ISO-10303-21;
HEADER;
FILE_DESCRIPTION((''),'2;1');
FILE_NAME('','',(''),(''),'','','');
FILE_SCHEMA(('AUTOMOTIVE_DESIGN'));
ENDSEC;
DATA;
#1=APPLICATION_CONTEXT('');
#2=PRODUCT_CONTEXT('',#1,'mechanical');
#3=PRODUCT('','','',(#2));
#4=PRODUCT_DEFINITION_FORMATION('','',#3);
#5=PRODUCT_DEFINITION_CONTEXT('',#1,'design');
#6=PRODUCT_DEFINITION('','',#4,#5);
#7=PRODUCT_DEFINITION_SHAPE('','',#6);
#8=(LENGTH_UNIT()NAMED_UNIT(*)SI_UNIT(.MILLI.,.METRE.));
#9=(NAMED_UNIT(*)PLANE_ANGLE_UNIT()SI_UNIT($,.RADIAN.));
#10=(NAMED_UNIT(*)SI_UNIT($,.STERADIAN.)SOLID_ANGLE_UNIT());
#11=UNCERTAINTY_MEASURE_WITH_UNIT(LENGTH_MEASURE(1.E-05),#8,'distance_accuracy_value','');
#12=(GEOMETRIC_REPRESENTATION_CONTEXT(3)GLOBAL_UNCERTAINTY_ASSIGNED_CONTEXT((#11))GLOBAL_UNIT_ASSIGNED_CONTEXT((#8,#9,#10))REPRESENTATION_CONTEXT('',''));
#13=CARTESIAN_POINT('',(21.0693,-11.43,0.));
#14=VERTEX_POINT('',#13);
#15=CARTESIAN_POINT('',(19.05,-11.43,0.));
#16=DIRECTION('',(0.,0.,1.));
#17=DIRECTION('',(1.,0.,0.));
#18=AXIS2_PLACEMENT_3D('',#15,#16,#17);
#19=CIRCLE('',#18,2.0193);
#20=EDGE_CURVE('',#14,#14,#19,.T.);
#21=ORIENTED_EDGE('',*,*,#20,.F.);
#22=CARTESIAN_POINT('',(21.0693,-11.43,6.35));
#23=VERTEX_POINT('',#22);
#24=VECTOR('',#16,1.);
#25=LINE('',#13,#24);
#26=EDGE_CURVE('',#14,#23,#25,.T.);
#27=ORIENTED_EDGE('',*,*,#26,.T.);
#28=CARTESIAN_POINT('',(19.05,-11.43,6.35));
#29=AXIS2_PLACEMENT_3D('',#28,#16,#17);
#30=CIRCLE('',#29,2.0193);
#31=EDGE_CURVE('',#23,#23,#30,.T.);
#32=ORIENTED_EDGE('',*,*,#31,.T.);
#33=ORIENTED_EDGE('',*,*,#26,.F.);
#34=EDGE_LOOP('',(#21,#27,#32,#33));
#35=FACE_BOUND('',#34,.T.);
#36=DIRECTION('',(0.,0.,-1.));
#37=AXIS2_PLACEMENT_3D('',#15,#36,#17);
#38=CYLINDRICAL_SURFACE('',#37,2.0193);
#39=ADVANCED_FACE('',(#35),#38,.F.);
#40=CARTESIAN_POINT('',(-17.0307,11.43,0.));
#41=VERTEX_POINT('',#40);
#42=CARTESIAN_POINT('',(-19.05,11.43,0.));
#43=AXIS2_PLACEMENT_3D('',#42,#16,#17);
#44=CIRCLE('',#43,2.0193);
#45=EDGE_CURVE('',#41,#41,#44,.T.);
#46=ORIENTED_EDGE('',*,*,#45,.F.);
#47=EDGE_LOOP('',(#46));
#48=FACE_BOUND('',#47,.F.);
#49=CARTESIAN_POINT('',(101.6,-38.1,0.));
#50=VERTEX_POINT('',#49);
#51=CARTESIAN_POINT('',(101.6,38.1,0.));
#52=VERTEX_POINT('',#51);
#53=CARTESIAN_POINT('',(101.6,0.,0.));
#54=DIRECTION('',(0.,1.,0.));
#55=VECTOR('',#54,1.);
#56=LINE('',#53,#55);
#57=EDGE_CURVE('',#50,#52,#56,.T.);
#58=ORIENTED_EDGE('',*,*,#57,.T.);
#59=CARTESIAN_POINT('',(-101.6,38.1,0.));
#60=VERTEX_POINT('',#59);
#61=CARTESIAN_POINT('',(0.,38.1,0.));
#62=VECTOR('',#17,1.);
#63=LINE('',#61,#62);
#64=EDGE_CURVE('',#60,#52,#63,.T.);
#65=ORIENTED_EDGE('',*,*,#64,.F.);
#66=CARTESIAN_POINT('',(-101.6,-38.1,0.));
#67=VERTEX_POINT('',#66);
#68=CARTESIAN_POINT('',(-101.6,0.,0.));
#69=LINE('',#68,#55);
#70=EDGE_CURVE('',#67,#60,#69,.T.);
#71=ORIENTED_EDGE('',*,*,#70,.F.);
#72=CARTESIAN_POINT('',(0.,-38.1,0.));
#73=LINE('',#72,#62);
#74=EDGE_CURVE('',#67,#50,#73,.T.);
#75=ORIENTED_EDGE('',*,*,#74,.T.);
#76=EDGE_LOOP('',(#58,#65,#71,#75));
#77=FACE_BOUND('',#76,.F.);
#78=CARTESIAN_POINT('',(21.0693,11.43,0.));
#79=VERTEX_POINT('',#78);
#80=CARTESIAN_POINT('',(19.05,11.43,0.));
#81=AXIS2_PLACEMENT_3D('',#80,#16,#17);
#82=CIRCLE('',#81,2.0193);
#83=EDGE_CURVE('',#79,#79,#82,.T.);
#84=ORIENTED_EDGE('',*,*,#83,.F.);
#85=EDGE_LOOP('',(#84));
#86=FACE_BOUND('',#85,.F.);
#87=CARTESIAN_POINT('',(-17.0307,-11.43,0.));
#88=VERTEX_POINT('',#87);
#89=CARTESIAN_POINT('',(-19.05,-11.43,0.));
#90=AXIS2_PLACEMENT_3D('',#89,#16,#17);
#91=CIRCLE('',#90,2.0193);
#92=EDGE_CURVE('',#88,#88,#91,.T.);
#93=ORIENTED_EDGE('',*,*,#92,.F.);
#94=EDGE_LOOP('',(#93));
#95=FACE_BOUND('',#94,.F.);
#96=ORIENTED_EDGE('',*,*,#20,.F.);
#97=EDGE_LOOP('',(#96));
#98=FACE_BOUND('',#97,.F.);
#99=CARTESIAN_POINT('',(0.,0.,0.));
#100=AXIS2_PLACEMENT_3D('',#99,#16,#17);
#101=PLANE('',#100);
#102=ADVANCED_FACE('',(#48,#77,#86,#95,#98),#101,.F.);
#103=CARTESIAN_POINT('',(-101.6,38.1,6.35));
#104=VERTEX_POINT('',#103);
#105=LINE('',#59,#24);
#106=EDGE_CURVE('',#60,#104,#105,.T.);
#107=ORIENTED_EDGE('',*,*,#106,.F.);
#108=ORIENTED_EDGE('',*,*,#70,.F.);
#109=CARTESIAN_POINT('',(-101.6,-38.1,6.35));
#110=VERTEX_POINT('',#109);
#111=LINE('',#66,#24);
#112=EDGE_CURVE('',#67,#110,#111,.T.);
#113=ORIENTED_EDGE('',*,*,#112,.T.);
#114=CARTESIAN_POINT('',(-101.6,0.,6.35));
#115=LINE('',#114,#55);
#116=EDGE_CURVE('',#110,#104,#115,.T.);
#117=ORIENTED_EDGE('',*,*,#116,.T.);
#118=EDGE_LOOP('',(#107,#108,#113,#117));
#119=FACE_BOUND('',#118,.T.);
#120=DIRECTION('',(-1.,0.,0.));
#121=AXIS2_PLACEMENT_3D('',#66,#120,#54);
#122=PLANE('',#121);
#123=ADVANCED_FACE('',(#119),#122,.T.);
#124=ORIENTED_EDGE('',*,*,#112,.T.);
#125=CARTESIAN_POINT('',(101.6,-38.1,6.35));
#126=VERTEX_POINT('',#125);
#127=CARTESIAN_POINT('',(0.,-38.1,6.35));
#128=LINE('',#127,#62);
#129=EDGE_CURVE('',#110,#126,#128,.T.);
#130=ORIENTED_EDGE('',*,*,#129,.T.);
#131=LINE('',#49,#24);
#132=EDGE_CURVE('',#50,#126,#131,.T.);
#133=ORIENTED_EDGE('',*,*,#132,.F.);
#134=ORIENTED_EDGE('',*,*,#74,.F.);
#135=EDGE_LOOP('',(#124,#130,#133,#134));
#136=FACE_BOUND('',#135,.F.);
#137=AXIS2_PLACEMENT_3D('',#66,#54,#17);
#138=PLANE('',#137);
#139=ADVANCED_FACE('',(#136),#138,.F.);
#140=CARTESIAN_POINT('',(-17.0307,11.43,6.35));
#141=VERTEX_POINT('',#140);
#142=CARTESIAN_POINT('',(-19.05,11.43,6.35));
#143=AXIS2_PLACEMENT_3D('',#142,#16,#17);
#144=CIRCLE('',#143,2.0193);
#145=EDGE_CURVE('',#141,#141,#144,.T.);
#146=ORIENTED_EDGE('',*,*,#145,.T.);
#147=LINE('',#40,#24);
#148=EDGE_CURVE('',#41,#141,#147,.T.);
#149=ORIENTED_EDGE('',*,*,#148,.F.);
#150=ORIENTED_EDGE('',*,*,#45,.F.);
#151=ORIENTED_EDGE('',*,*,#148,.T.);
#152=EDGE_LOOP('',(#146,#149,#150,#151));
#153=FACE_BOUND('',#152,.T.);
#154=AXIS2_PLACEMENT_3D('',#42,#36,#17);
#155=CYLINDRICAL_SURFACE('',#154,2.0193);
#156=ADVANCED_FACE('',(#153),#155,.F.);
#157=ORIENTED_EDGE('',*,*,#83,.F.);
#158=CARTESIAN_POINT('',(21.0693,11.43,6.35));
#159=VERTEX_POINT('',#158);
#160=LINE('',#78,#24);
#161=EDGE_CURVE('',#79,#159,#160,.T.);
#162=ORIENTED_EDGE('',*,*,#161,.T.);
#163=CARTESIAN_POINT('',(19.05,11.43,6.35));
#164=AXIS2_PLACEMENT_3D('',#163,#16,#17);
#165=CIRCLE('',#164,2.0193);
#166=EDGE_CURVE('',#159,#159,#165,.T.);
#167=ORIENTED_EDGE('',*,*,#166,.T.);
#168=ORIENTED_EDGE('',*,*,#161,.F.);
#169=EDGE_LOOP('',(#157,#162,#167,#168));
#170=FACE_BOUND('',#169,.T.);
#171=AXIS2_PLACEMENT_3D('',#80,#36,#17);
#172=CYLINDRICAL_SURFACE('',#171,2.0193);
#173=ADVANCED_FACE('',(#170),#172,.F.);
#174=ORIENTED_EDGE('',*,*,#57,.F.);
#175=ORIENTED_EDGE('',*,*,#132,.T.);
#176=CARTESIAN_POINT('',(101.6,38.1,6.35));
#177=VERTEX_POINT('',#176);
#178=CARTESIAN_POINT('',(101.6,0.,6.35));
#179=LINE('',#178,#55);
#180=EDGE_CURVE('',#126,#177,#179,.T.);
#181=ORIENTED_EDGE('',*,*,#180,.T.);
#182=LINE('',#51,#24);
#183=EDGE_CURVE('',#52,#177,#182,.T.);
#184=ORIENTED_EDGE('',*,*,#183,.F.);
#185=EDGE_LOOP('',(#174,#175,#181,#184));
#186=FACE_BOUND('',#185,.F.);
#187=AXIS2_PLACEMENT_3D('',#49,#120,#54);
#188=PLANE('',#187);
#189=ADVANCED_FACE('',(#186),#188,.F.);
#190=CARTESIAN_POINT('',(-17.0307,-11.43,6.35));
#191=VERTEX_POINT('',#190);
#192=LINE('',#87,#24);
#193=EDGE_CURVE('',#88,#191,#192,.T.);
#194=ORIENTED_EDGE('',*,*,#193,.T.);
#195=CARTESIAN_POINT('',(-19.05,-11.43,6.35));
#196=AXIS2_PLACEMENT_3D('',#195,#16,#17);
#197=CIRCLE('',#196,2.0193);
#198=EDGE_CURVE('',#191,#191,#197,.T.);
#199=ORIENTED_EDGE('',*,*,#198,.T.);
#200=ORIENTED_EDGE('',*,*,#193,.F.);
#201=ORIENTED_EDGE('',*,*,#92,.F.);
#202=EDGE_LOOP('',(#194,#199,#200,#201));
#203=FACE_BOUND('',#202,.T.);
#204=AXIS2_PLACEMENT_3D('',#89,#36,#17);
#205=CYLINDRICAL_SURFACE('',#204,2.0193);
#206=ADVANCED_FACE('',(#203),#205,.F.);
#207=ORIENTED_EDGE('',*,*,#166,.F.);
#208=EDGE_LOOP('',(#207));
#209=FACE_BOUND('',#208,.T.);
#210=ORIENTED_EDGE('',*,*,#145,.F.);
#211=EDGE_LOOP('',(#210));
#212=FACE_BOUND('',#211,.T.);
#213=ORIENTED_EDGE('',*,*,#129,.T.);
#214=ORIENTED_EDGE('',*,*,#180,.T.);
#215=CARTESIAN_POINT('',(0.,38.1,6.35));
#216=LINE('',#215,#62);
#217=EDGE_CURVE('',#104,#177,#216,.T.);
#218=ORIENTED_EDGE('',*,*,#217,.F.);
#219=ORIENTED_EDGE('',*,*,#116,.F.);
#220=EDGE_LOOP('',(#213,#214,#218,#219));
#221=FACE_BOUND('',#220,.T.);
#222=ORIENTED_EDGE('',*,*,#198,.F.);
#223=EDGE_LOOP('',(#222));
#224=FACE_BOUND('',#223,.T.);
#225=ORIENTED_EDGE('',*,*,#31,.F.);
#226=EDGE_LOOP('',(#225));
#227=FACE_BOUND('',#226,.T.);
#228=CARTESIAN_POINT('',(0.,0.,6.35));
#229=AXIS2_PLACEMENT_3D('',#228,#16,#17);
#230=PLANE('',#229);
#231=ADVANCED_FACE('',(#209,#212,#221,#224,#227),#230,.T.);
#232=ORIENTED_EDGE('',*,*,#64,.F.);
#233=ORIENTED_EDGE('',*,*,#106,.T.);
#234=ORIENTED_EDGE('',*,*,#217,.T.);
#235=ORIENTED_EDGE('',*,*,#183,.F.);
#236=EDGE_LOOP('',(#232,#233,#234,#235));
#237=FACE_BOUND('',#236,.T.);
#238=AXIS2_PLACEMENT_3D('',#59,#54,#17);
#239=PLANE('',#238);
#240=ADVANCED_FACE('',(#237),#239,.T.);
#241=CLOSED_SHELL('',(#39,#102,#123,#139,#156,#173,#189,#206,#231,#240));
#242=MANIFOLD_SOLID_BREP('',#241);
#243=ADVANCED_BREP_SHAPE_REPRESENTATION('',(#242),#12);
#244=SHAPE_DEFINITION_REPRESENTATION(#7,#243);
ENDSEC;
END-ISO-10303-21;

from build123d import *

# Parameters (mm, degrees)
F0_W     = 203.2
F0_H     = 76.2
F0_W_2   = 63.5
F0_H_2   = 38.1
F0_R     = 2.0193
F1_DEPTH = 6.35


with BuildPart() as f1:
    # F0 (on Top) → F1 (new body)
    with BuildSketch(Plane.XY):
        Rectangle(F0_W, F0_H)
        Rectangle(F0_W_2, F0_H_2, mode=Mode.SUBTRACT)
        Rectangle(F0_W_2, F0_H_2)
        with Locations((-19.05, -11.43)):
            Circle(F0_R, mode=Mode.SUBTRACT)
        with Locations((19.05, -11.43)):
            Circle(F0_R, mode=Mode.SUBTRACT)
        with Locations((-19.05, 11.43)):
            Circle(F0_R, mode=Mode.SUBTRACT)
        with Locations((19.05, 11.43)):
            Circle(F0_R, mode=Mode.SUBTRACT)
    extrude(amount=F1_DEPTH)


solid = f1.part
